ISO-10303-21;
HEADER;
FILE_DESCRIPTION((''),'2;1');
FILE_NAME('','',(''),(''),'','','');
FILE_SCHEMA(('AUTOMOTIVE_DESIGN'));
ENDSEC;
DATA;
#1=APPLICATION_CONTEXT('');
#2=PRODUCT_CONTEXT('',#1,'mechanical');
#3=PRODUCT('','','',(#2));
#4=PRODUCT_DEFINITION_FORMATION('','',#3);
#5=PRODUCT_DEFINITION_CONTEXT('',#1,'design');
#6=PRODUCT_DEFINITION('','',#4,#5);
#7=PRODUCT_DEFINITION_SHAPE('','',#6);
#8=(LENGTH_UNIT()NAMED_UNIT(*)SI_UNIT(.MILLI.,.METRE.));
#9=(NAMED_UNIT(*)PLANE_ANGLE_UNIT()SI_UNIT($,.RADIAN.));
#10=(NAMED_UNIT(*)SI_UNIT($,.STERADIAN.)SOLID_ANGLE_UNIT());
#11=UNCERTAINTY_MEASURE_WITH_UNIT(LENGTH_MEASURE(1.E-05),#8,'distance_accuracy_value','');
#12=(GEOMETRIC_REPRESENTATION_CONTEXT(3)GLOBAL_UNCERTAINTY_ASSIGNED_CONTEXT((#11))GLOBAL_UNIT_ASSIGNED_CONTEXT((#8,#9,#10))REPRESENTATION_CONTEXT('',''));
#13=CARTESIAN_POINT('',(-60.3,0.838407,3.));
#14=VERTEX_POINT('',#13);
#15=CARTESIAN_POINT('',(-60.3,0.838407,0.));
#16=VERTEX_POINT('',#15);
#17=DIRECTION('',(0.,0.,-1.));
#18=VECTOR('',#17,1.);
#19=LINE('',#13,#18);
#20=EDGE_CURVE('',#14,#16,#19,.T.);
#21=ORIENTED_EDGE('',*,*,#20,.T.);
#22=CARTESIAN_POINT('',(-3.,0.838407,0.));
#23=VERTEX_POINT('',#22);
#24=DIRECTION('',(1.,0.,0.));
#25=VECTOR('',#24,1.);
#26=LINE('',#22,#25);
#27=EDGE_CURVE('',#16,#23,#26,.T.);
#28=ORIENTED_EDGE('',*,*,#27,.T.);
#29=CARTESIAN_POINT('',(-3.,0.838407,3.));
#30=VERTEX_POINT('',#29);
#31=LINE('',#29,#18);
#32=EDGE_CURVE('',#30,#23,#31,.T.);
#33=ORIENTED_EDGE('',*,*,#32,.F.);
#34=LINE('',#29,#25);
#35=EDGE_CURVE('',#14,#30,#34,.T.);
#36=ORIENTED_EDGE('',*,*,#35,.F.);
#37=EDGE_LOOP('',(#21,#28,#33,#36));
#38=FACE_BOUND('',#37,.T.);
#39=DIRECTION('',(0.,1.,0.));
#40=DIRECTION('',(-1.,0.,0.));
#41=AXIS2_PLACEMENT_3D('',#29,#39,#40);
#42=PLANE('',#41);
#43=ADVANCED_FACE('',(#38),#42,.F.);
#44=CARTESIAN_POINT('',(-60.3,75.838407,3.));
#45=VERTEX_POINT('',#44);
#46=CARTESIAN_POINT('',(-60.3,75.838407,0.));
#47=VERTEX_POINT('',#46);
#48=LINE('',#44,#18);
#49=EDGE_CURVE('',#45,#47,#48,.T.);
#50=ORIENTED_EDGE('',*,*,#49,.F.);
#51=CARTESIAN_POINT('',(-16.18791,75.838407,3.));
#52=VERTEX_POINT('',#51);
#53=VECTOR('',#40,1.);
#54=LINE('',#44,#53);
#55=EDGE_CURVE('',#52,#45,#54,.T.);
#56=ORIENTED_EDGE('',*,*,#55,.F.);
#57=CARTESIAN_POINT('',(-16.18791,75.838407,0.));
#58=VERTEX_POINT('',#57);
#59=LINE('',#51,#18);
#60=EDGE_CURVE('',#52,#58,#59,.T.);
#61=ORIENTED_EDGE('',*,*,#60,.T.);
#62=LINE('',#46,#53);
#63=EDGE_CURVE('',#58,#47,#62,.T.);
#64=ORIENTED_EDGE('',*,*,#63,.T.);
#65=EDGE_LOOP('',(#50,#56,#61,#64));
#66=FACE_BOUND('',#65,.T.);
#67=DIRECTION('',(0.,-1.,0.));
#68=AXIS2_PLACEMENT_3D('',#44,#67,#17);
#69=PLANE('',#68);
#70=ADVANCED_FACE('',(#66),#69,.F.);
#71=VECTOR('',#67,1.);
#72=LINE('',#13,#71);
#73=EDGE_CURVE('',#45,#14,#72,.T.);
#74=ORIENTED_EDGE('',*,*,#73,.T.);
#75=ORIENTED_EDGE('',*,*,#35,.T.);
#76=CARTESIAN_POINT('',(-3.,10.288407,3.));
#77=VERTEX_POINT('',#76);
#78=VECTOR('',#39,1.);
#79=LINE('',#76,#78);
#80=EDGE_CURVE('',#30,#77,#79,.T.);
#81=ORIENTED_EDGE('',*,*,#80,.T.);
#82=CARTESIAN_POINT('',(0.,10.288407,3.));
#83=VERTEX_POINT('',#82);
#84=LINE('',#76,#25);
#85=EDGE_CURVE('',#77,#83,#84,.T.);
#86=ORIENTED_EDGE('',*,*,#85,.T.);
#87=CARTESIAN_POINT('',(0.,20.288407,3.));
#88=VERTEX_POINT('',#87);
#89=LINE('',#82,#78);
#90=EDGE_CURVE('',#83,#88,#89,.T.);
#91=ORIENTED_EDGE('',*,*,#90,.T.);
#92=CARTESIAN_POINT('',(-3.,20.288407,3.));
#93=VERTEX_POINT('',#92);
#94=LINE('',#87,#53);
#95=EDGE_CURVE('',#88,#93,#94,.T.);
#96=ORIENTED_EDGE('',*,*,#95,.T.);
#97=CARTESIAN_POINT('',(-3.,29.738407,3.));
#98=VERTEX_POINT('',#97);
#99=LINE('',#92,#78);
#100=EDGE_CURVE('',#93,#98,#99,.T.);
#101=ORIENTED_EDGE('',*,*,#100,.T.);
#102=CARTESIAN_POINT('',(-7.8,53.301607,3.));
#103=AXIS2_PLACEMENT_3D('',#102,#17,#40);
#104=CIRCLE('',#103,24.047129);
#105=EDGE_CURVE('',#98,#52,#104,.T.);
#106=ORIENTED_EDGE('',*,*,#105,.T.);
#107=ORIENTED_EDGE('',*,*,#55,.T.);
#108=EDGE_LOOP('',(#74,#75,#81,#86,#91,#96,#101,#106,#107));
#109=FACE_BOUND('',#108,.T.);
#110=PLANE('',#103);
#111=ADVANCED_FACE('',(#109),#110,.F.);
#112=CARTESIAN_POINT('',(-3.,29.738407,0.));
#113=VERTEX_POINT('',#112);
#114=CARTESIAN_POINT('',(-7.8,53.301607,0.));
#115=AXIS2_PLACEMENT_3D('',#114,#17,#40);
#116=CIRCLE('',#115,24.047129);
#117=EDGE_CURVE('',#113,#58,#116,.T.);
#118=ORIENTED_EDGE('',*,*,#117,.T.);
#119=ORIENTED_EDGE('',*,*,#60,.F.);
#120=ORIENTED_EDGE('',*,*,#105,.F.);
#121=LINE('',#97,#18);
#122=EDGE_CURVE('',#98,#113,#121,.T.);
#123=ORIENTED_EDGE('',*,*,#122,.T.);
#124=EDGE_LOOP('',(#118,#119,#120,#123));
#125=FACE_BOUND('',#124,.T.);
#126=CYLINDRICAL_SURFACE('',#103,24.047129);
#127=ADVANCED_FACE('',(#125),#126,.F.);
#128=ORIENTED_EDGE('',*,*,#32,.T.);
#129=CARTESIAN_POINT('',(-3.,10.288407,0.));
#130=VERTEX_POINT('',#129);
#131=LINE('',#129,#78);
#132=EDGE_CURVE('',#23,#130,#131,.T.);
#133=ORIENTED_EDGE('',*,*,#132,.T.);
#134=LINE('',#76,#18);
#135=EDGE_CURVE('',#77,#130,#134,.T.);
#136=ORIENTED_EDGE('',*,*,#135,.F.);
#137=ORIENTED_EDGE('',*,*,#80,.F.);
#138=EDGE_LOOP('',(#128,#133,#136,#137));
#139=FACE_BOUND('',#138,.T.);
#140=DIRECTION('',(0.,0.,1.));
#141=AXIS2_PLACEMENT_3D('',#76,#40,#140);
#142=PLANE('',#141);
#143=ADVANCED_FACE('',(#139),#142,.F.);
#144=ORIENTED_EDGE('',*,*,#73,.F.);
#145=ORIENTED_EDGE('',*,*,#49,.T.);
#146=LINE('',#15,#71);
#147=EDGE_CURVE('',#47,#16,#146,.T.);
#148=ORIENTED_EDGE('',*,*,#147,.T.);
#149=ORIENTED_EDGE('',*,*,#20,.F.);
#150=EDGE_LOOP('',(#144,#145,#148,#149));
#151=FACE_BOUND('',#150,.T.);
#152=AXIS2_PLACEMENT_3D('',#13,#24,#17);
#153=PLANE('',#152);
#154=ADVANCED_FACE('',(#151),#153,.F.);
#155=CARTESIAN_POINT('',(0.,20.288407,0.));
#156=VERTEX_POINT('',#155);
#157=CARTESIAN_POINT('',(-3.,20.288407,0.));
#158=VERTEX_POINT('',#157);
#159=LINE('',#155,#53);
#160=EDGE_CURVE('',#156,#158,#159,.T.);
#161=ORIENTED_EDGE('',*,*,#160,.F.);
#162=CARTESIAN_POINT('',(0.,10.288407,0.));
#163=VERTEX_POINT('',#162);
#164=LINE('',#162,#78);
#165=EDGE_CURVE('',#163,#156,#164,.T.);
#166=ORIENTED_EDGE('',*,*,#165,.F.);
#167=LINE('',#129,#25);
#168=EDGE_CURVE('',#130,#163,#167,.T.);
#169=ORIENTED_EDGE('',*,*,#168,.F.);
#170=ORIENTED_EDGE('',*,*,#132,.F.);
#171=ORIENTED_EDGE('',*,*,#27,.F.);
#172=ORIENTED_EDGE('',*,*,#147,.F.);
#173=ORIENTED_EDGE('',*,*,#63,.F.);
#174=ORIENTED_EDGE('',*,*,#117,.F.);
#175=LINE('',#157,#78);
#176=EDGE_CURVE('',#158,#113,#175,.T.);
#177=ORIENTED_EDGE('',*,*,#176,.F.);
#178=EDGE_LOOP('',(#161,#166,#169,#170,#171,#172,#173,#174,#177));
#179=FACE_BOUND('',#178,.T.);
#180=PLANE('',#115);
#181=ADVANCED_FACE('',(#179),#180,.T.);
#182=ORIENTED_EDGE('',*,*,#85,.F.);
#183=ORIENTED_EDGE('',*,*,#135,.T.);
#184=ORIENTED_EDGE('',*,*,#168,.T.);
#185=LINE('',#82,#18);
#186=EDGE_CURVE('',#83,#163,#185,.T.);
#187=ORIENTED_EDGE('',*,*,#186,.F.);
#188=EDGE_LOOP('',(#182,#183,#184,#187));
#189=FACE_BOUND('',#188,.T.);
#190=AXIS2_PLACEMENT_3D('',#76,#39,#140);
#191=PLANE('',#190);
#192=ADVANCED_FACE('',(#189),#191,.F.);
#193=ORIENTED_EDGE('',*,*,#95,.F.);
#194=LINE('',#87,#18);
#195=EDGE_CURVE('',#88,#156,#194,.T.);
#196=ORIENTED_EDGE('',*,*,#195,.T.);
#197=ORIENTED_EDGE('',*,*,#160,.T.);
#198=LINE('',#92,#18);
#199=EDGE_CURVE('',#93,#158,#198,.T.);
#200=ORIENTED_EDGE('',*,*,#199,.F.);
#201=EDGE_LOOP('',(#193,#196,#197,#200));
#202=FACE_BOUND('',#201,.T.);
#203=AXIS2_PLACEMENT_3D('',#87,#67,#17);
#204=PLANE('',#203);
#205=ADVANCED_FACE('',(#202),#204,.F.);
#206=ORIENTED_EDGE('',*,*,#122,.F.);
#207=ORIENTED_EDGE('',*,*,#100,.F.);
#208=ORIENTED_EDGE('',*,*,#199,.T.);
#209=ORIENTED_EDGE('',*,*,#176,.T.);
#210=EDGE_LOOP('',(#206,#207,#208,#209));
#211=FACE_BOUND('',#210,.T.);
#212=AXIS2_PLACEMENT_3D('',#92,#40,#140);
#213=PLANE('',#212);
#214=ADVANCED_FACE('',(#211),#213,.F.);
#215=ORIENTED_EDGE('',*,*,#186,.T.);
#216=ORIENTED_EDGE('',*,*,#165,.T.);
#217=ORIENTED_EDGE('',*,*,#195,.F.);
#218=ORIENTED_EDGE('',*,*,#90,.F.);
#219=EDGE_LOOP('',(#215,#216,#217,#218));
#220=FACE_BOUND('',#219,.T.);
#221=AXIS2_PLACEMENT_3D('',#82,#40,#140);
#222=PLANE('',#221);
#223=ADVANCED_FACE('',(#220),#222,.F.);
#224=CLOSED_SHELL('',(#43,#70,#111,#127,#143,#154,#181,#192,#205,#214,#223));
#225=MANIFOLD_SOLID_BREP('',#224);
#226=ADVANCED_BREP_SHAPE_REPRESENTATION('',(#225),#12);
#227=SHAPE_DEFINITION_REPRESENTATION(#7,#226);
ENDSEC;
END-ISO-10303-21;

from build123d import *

# Parameters (mm, degrees)
SALIENTE_EXTRUIR1_DEPTH = 3


with BuildPart() as part:
    # Croquis1 → Saliente-Extruir1 (new body)
    with BuildSketch(Plane.XY):
        with BuildLine():
            Line((-3, 0.83840696), (-60.3, 0.83840696))
            Line((-60.3, 0.83840696), (-60.3, 75.83840696))
            Line((-60.3, 75.83840696), (-16.187910348, 75.83840696))
            ThreePointArc((-16.187910348, 75.83840696), (-30.919705343, 46.687711053), (-3, 29.73840696))
            Line((-3, 29.73840696), (-3, 20.28840696))
            Line((-3, 20.28840696), (0, 20.28840696))
            Line((0, 20.28840696), (0, 10.28840696))
            Line((0, 10.28840696), (-3, 10.28840696))
            Line((-3, 10.28840696), (-3, 0.83840696))
        make_face()
    extrude(amount=SALIENTE_EXTRUIR1_DEPTH)


solid = part.part
